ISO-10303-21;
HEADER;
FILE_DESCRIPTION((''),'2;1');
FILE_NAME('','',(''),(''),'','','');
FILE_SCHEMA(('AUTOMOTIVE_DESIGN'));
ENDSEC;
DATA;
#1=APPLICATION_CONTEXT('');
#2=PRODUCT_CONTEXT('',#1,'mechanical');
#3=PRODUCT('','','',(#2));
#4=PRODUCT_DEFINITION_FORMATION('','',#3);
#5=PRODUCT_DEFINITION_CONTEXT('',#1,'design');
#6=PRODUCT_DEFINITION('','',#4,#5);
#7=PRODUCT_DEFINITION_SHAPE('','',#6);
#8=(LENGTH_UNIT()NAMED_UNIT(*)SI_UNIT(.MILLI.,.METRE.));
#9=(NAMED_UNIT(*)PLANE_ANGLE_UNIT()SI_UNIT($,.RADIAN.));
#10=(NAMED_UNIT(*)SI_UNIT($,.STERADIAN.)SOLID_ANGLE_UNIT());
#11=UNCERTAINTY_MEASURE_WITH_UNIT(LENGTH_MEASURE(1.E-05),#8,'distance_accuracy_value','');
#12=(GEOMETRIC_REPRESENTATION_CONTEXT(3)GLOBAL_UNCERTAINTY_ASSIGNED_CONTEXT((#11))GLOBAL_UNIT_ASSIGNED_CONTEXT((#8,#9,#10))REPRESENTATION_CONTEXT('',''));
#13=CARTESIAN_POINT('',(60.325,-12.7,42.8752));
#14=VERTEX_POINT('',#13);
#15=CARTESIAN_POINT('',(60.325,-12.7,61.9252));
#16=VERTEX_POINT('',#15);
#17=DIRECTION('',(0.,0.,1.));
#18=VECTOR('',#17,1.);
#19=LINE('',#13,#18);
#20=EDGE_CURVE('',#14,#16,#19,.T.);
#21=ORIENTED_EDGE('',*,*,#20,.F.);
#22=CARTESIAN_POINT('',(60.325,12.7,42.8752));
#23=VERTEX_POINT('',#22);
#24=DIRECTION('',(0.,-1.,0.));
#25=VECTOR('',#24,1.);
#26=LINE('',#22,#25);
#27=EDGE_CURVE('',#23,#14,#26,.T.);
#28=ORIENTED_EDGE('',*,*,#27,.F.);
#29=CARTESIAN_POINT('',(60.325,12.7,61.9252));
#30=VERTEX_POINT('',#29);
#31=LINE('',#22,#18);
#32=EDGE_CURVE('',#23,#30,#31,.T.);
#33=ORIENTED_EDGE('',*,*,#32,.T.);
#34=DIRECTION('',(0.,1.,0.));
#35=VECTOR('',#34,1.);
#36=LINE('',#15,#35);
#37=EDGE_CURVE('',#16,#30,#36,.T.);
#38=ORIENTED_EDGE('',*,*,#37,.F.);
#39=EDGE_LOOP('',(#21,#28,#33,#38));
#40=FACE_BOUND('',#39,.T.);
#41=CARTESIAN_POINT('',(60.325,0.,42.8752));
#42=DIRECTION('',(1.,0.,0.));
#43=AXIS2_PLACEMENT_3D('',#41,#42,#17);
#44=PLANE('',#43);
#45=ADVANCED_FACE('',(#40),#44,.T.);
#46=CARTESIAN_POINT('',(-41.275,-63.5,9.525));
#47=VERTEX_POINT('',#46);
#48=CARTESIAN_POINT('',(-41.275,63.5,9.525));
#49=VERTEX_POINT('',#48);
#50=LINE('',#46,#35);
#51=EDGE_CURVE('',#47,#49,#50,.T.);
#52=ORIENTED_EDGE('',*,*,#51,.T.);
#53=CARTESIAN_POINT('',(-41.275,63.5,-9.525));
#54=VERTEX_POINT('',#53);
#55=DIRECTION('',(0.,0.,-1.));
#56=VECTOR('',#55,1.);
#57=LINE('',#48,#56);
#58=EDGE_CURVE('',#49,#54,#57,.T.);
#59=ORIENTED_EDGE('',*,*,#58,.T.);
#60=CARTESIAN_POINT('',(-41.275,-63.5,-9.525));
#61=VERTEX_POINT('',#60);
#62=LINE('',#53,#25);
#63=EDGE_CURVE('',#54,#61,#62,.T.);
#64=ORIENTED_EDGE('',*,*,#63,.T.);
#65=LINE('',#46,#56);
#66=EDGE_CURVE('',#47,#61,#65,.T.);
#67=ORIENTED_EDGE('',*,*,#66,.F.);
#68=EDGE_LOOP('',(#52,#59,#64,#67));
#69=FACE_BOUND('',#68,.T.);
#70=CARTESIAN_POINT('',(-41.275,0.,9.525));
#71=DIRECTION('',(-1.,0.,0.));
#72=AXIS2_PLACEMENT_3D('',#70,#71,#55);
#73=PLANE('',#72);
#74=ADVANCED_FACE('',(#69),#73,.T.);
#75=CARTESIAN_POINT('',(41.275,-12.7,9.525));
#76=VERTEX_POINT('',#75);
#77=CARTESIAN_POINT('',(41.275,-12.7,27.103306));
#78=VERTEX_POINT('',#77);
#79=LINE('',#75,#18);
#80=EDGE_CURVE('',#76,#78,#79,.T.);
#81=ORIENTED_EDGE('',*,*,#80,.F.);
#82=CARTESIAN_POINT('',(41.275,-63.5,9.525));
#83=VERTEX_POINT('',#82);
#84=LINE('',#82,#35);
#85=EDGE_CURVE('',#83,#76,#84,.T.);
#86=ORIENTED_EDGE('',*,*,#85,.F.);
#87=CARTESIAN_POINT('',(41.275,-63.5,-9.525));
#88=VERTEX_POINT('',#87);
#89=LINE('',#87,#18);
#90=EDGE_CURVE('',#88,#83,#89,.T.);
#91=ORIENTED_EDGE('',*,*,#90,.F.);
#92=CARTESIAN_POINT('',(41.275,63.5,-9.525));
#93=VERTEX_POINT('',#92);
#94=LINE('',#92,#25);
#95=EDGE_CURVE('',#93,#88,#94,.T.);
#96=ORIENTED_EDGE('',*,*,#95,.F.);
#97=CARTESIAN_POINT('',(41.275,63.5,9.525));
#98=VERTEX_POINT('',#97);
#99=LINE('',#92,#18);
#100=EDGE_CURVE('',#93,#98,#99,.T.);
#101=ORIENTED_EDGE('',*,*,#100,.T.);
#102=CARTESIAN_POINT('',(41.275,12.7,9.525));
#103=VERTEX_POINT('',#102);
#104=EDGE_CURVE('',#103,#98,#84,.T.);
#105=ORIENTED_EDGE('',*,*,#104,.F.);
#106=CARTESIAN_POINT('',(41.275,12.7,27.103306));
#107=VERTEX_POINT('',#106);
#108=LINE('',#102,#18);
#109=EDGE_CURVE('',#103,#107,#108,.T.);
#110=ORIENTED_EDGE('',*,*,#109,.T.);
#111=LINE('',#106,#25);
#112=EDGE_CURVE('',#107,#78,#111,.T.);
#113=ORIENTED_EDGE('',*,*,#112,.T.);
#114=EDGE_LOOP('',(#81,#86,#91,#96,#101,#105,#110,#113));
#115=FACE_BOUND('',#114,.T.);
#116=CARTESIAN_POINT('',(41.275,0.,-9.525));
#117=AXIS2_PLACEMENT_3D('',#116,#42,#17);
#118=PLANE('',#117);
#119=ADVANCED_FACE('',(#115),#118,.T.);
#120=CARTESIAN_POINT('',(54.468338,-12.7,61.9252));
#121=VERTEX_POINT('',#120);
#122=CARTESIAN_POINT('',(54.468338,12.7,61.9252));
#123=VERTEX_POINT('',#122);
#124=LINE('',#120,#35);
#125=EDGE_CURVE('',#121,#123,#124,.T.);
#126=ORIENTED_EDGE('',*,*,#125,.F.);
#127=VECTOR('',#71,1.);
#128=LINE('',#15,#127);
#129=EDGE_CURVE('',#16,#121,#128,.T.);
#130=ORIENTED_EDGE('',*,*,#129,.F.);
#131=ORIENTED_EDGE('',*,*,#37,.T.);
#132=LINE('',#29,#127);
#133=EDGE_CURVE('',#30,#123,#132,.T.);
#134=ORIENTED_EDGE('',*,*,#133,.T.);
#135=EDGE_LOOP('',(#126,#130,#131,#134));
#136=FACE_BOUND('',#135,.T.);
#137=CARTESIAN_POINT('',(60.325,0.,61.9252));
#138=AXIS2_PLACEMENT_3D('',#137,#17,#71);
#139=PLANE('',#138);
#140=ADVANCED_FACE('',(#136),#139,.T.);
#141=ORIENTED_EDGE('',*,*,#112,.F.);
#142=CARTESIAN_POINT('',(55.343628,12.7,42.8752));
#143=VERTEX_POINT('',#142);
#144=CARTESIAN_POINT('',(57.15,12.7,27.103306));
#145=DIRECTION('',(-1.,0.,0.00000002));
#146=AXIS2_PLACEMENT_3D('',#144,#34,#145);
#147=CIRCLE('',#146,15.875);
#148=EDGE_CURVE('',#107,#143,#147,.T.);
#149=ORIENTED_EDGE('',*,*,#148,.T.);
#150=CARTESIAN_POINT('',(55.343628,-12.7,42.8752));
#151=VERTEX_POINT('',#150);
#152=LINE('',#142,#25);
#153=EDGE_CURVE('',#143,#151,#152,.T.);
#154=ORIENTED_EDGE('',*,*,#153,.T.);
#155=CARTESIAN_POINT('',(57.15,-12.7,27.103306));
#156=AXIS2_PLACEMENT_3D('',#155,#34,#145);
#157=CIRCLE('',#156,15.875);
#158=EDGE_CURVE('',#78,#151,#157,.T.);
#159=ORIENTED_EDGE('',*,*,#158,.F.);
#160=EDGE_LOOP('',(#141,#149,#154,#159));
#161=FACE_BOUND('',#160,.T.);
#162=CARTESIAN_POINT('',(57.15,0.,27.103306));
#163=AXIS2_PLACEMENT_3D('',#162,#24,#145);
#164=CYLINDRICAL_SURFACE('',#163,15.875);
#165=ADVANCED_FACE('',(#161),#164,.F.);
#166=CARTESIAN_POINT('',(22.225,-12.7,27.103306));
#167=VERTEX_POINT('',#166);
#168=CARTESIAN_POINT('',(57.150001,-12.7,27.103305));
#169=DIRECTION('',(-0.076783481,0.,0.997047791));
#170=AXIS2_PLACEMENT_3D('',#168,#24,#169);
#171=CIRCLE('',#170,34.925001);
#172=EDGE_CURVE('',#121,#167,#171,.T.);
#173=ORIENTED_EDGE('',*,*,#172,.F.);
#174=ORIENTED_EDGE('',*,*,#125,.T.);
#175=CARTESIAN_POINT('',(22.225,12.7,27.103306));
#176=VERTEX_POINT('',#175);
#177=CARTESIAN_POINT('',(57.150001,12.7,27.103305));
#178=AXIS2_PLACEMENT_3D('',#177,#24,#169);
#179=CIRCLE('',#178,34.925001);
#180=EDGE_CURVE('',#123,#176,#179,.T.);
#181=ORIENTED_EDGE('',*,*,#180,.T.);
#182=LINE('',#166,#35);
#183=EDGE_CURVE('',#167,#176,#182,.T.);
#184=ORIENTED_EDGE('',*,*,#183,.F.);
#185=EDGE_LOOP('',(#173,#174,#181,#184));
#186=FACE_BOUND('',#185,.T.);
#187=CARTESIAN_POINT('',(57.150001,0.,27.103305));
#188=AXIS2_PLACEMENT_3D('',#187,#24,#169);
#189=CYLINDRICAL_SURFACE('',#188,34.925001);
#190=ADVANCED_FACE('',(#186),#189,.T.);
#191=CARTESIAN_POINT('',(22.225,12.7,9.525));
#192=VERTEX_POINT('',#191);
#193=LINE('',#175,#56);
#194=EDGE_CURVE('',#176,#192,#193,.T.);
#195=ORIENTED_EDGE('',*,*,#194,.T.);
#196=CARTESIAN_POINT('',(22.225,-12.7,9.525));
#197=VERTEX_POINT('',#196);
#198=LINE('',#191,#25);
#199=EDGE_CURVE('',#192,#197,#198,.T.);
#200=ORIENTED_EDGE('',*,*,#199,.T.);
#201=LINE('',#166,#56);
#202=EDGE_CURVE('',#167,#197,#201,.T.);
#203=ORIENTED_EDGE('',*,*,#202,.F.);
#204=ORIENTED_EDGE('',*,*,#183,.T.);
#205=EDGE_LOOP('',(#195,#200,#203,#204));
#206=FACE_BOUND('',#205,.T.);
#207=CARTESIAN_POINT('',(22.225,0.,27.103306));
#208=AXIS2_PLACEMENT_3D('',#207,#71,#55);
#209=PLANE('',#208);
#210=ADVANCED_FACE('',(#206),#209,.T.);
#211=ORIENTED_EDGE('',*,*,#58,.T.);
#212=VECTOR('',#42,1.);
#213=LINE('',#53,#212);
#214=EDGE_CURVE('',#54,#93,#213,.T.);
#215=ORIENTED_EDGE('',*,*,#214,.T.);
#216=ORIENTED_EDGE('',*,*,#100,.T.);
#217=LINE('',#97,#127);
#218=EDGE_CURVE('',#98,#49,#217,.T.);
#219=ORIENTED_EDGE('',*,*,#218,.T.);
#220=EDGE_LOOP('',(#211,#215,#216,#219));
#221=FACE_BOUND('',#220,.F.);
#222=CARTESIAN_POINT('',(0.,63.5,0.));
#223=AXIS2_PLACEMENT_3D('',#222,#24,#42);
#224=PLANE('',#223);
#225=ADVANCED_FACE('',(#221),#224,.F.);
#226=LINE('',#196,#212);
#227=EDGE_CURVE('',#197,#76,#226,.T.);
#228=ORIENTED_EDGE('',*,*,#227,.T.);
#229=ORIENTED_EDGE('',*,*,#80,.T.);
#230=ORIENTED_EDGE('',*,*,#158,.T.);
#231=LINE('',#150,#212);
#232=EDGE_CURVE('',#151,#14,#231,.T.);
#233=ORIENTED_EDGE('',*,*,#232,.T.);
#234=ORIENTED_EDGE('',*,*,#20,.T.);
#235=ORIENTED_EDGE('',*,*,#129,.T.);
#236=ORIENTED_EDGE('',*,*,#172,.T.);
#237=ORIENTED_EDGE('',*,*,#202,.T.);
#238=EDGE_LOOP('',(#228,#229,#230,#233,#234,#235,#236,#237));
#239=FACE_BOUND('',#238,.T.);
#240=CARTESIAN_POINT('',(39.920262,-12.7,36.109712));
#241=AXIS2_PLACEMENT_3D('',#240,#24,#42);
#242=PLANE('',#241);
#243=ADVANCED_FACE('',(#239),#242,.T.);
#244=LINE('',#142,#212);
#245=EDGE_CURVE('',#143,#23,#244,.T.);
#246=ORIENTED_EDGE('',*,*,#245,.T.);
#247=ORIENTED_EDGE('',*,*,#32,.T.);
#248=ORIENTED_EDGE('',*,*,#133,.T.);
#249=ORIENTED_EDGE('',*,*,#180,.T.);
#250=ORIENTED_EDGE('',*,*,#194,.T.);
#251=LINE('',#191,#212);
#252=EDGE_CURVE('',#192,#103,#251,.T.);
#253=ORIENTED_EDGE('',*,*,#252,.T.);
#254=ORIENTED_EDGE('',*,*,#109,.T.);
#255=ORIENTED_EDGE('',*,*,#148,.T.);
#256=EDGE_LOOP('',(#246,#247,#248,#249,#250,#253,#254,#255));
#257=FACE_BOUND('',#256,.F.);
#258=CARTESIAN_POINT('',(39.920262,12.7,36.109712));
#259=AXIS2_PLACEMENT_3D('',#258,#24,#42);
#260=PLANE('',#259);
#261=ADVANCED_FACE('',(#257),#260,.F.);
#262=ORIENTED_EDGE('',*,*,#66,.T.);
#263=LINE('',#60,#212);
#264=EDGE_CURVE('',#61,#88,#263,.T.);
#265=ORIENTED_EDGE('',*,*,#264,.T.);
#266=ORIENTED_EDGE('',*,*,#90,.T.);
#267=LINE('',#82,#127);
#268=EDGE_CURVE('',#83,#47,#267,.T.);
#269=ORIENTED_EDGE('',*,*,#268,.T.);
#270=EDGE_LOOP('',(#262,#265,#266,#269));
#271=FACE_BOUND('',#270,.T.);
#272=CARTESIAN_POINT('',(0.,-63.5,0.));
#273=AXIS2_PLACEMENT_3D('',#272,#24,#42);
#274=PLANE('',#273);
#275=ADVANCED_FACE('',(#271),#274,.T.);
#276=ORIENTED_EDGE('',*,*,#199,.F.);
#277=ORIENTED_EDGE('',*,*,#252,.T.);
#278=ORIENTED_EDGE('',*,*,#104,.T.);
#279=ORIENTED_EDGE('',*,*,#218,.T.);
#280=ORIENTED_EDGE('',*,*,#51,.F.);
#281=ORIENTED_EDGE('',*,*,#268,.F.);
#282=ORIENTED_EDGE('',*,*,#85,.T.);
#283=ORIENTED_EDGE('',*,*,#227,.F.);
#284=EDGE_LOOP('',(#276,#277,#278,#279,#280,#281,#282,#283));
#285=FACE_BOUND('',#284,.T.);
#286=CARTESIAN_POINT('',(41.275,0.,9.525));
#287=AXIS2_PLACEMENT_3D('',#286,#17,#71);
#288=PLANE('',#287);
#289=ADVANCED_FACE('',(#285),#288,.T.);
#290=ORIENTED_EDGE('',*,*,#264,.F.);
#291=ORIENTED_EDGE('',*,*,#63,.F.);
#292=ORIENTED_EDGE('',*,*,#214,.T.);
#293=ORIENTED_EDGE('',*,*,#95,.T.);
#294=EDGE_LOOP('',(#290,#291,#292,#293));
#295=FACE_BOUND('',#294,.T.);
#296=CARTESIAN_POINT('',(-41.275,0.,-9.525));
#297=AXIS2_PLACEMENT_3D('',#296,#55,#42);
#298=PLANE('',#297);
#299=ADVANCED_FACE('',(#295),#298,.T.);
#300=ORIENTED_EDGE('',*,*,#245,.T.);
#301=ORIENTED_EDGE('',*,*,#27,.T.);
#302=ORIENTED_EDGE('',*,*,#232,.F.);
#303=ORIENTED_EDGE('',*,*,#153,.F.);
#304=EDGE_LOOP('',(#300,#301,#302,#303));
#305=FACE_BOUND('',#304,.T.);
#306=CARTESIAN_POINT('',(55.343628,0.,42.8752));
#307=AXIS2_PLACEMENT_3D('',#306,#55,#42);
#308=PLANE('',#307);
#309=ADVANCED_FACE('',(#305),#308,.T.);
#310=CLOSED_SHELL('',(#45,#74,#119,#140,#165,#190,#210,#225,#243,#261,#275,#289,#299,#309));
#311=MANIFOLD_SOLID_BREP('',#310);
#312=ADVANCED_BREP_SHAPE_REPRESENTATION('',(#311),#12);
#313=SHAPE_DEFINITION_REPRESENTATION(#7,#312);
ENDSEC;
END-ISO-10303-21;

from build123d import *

# Parameters (mm, degrees)
F1_DEPTH = 12.7
F2_DEPTH = 63.5


with BuildPart() as f1:
    # F0 (on Front) → F1 (new body, symmetric)
    with BuildSketch(Plane.XZ):
        with BuildLine():
            Line((22.225, 27.103306), (22.225, 9.525))
            Line((22.225, 9.525), (41.275, 9.525))
            Line((41.275, 9.525), (41.275, 27.103306))
            ThreePointArc((41.275, 27.103306), (45.303233, 37.670696), (55.343628, 42.8752))
            Line((55.343628, 42.8752), (60.325, 42.8752))
            Line((60.325, 42.8752), (60.325, 61.9252))
            Line((60.325, 61.9252), (54.468338, 61.9252))
            ThreePointArc((54.468338, 61.9252), (31.523718, 50.831965), (22.225, 27.103306))
        make_face()
    extrude(amount=F1_DEPTH, both=True)

    # F0 (on Front) → F2 (join, symmetric)
    with BuildSketch(Plane.XZ):
        Polygon((22.225, 9.525), (-41.275, 9.525), (-41.275, -9.525), (41.275, -9.525), (41.275, 9.525), align=None)
    extrude(amount=F2_DEPTH, both=True)


solid = f1.part
